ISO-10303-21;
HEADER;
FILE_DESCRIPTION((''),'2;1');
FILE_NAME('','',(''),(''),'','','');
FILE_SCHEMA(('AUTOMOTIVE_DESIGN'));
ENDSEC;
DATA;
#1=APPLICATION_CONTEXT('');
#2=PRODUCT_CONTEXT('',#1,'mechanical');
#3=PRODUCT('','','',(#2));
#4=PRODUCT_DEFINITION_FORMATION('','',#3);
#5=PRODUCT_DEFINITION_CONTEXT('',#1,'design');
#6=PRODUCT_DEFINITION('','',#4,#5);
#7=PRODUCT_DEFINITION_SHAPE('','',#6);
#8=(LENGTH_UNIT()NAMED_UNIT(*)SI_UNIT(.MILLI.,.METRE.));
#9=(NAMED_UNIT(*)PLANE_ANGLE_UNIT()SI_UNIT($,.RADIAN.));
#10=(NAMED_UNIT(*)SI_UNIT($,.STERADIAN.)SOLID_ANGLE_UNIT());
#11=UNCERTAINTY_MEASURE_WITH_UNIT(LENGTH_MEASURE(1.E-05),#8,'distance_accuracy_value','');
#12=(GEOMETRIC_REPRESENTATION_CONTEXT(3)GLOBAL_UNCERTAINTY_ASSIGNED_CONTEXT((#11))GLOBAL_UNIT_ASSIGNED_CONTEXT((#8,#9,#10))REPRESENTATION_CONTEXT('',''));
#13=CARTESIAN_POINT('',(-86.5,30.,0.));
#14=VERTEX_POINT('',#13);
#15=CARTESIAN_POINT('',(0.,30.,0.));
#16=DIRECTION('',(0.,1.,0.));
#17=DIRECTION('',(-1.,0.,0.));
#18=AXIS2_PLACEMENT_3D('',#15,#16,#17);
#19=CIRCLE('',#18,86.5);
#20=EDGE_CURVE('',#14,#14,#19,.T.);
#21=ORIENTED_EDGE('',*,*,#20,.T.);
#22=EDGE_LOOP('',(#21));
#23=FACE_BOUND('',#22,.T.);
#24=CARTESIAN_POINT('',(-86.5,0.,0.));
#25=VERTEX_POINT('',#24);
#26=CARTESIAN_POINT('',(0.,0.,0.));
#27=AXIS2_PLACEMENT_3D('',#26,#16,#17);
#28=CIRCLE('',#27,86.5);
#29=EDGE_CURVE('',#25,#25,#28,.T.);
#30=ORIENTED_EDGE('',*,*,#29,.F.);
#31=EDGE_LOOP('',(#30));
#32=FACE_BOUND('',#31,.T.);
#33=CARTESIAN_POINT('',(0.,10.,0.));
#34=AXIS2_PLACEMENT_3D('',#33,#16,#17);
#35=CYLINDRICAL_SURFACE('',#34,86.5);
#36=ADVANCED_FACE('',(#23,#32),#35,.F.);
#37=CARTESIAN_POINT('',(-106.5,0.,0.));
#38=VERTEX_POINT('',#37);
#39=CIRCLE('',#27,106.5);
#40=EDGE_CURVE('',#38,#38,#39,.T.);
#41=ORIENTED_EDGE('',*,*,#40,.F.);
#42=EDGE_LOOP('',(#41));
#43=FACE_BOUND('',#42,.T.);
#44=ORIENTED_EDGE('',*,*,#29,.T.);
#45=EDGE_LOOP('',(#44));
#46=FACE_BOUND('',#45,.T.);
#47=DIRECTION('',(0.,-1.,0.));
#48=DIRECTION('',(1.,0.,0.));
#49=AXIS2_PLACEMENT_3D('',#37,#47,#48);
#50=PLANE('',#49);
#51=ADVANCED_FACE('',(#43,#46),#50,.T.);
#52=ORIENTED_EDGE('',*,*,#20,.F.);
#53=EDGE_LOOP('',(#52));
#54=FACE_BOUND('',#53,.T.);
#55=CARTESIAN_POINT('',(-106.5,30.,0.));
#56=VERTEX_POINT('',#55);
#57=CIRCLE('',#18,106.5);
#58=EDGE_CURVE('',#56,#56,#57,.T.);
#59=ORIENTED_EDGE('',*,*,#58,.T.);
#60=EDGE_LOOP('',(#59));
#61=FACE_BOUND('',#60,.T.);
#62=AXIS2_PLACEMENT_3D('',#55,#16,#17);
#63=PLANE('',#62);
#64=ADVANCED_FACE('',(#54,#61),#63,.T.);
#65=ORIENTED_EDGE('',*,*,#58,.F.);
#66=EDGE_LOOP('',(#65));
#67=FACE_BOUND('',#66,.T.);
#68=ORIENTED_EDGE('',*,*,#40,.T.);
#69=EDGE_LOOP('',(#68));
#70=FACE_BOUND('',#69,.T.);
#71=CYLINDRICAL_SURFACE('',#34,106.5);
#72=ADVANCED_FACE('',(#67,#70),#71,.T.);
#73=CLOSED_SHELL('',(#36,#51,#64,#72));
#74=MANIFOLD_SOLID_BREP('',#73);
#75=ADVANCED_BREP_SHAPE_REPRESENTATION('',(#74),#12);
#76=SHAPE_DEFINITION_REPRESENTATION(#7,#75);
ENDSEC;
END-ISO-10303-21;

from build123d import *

# Parameters (mm, degrees)
SZKIC1_W = 20
SZKIC1_H = 30


with BuildPart() as part:
    # Szkic1 → Obrót1 (revolve)
    with BuildSketch(Plane.XY):
        with Locations((-96.5, 15)):
            Rectangle(SZKIC1_W, SZKIC1_H)
    revolve(axis=Axis((0, 10, 0), (0, -1, 0)))


solid = part.part
